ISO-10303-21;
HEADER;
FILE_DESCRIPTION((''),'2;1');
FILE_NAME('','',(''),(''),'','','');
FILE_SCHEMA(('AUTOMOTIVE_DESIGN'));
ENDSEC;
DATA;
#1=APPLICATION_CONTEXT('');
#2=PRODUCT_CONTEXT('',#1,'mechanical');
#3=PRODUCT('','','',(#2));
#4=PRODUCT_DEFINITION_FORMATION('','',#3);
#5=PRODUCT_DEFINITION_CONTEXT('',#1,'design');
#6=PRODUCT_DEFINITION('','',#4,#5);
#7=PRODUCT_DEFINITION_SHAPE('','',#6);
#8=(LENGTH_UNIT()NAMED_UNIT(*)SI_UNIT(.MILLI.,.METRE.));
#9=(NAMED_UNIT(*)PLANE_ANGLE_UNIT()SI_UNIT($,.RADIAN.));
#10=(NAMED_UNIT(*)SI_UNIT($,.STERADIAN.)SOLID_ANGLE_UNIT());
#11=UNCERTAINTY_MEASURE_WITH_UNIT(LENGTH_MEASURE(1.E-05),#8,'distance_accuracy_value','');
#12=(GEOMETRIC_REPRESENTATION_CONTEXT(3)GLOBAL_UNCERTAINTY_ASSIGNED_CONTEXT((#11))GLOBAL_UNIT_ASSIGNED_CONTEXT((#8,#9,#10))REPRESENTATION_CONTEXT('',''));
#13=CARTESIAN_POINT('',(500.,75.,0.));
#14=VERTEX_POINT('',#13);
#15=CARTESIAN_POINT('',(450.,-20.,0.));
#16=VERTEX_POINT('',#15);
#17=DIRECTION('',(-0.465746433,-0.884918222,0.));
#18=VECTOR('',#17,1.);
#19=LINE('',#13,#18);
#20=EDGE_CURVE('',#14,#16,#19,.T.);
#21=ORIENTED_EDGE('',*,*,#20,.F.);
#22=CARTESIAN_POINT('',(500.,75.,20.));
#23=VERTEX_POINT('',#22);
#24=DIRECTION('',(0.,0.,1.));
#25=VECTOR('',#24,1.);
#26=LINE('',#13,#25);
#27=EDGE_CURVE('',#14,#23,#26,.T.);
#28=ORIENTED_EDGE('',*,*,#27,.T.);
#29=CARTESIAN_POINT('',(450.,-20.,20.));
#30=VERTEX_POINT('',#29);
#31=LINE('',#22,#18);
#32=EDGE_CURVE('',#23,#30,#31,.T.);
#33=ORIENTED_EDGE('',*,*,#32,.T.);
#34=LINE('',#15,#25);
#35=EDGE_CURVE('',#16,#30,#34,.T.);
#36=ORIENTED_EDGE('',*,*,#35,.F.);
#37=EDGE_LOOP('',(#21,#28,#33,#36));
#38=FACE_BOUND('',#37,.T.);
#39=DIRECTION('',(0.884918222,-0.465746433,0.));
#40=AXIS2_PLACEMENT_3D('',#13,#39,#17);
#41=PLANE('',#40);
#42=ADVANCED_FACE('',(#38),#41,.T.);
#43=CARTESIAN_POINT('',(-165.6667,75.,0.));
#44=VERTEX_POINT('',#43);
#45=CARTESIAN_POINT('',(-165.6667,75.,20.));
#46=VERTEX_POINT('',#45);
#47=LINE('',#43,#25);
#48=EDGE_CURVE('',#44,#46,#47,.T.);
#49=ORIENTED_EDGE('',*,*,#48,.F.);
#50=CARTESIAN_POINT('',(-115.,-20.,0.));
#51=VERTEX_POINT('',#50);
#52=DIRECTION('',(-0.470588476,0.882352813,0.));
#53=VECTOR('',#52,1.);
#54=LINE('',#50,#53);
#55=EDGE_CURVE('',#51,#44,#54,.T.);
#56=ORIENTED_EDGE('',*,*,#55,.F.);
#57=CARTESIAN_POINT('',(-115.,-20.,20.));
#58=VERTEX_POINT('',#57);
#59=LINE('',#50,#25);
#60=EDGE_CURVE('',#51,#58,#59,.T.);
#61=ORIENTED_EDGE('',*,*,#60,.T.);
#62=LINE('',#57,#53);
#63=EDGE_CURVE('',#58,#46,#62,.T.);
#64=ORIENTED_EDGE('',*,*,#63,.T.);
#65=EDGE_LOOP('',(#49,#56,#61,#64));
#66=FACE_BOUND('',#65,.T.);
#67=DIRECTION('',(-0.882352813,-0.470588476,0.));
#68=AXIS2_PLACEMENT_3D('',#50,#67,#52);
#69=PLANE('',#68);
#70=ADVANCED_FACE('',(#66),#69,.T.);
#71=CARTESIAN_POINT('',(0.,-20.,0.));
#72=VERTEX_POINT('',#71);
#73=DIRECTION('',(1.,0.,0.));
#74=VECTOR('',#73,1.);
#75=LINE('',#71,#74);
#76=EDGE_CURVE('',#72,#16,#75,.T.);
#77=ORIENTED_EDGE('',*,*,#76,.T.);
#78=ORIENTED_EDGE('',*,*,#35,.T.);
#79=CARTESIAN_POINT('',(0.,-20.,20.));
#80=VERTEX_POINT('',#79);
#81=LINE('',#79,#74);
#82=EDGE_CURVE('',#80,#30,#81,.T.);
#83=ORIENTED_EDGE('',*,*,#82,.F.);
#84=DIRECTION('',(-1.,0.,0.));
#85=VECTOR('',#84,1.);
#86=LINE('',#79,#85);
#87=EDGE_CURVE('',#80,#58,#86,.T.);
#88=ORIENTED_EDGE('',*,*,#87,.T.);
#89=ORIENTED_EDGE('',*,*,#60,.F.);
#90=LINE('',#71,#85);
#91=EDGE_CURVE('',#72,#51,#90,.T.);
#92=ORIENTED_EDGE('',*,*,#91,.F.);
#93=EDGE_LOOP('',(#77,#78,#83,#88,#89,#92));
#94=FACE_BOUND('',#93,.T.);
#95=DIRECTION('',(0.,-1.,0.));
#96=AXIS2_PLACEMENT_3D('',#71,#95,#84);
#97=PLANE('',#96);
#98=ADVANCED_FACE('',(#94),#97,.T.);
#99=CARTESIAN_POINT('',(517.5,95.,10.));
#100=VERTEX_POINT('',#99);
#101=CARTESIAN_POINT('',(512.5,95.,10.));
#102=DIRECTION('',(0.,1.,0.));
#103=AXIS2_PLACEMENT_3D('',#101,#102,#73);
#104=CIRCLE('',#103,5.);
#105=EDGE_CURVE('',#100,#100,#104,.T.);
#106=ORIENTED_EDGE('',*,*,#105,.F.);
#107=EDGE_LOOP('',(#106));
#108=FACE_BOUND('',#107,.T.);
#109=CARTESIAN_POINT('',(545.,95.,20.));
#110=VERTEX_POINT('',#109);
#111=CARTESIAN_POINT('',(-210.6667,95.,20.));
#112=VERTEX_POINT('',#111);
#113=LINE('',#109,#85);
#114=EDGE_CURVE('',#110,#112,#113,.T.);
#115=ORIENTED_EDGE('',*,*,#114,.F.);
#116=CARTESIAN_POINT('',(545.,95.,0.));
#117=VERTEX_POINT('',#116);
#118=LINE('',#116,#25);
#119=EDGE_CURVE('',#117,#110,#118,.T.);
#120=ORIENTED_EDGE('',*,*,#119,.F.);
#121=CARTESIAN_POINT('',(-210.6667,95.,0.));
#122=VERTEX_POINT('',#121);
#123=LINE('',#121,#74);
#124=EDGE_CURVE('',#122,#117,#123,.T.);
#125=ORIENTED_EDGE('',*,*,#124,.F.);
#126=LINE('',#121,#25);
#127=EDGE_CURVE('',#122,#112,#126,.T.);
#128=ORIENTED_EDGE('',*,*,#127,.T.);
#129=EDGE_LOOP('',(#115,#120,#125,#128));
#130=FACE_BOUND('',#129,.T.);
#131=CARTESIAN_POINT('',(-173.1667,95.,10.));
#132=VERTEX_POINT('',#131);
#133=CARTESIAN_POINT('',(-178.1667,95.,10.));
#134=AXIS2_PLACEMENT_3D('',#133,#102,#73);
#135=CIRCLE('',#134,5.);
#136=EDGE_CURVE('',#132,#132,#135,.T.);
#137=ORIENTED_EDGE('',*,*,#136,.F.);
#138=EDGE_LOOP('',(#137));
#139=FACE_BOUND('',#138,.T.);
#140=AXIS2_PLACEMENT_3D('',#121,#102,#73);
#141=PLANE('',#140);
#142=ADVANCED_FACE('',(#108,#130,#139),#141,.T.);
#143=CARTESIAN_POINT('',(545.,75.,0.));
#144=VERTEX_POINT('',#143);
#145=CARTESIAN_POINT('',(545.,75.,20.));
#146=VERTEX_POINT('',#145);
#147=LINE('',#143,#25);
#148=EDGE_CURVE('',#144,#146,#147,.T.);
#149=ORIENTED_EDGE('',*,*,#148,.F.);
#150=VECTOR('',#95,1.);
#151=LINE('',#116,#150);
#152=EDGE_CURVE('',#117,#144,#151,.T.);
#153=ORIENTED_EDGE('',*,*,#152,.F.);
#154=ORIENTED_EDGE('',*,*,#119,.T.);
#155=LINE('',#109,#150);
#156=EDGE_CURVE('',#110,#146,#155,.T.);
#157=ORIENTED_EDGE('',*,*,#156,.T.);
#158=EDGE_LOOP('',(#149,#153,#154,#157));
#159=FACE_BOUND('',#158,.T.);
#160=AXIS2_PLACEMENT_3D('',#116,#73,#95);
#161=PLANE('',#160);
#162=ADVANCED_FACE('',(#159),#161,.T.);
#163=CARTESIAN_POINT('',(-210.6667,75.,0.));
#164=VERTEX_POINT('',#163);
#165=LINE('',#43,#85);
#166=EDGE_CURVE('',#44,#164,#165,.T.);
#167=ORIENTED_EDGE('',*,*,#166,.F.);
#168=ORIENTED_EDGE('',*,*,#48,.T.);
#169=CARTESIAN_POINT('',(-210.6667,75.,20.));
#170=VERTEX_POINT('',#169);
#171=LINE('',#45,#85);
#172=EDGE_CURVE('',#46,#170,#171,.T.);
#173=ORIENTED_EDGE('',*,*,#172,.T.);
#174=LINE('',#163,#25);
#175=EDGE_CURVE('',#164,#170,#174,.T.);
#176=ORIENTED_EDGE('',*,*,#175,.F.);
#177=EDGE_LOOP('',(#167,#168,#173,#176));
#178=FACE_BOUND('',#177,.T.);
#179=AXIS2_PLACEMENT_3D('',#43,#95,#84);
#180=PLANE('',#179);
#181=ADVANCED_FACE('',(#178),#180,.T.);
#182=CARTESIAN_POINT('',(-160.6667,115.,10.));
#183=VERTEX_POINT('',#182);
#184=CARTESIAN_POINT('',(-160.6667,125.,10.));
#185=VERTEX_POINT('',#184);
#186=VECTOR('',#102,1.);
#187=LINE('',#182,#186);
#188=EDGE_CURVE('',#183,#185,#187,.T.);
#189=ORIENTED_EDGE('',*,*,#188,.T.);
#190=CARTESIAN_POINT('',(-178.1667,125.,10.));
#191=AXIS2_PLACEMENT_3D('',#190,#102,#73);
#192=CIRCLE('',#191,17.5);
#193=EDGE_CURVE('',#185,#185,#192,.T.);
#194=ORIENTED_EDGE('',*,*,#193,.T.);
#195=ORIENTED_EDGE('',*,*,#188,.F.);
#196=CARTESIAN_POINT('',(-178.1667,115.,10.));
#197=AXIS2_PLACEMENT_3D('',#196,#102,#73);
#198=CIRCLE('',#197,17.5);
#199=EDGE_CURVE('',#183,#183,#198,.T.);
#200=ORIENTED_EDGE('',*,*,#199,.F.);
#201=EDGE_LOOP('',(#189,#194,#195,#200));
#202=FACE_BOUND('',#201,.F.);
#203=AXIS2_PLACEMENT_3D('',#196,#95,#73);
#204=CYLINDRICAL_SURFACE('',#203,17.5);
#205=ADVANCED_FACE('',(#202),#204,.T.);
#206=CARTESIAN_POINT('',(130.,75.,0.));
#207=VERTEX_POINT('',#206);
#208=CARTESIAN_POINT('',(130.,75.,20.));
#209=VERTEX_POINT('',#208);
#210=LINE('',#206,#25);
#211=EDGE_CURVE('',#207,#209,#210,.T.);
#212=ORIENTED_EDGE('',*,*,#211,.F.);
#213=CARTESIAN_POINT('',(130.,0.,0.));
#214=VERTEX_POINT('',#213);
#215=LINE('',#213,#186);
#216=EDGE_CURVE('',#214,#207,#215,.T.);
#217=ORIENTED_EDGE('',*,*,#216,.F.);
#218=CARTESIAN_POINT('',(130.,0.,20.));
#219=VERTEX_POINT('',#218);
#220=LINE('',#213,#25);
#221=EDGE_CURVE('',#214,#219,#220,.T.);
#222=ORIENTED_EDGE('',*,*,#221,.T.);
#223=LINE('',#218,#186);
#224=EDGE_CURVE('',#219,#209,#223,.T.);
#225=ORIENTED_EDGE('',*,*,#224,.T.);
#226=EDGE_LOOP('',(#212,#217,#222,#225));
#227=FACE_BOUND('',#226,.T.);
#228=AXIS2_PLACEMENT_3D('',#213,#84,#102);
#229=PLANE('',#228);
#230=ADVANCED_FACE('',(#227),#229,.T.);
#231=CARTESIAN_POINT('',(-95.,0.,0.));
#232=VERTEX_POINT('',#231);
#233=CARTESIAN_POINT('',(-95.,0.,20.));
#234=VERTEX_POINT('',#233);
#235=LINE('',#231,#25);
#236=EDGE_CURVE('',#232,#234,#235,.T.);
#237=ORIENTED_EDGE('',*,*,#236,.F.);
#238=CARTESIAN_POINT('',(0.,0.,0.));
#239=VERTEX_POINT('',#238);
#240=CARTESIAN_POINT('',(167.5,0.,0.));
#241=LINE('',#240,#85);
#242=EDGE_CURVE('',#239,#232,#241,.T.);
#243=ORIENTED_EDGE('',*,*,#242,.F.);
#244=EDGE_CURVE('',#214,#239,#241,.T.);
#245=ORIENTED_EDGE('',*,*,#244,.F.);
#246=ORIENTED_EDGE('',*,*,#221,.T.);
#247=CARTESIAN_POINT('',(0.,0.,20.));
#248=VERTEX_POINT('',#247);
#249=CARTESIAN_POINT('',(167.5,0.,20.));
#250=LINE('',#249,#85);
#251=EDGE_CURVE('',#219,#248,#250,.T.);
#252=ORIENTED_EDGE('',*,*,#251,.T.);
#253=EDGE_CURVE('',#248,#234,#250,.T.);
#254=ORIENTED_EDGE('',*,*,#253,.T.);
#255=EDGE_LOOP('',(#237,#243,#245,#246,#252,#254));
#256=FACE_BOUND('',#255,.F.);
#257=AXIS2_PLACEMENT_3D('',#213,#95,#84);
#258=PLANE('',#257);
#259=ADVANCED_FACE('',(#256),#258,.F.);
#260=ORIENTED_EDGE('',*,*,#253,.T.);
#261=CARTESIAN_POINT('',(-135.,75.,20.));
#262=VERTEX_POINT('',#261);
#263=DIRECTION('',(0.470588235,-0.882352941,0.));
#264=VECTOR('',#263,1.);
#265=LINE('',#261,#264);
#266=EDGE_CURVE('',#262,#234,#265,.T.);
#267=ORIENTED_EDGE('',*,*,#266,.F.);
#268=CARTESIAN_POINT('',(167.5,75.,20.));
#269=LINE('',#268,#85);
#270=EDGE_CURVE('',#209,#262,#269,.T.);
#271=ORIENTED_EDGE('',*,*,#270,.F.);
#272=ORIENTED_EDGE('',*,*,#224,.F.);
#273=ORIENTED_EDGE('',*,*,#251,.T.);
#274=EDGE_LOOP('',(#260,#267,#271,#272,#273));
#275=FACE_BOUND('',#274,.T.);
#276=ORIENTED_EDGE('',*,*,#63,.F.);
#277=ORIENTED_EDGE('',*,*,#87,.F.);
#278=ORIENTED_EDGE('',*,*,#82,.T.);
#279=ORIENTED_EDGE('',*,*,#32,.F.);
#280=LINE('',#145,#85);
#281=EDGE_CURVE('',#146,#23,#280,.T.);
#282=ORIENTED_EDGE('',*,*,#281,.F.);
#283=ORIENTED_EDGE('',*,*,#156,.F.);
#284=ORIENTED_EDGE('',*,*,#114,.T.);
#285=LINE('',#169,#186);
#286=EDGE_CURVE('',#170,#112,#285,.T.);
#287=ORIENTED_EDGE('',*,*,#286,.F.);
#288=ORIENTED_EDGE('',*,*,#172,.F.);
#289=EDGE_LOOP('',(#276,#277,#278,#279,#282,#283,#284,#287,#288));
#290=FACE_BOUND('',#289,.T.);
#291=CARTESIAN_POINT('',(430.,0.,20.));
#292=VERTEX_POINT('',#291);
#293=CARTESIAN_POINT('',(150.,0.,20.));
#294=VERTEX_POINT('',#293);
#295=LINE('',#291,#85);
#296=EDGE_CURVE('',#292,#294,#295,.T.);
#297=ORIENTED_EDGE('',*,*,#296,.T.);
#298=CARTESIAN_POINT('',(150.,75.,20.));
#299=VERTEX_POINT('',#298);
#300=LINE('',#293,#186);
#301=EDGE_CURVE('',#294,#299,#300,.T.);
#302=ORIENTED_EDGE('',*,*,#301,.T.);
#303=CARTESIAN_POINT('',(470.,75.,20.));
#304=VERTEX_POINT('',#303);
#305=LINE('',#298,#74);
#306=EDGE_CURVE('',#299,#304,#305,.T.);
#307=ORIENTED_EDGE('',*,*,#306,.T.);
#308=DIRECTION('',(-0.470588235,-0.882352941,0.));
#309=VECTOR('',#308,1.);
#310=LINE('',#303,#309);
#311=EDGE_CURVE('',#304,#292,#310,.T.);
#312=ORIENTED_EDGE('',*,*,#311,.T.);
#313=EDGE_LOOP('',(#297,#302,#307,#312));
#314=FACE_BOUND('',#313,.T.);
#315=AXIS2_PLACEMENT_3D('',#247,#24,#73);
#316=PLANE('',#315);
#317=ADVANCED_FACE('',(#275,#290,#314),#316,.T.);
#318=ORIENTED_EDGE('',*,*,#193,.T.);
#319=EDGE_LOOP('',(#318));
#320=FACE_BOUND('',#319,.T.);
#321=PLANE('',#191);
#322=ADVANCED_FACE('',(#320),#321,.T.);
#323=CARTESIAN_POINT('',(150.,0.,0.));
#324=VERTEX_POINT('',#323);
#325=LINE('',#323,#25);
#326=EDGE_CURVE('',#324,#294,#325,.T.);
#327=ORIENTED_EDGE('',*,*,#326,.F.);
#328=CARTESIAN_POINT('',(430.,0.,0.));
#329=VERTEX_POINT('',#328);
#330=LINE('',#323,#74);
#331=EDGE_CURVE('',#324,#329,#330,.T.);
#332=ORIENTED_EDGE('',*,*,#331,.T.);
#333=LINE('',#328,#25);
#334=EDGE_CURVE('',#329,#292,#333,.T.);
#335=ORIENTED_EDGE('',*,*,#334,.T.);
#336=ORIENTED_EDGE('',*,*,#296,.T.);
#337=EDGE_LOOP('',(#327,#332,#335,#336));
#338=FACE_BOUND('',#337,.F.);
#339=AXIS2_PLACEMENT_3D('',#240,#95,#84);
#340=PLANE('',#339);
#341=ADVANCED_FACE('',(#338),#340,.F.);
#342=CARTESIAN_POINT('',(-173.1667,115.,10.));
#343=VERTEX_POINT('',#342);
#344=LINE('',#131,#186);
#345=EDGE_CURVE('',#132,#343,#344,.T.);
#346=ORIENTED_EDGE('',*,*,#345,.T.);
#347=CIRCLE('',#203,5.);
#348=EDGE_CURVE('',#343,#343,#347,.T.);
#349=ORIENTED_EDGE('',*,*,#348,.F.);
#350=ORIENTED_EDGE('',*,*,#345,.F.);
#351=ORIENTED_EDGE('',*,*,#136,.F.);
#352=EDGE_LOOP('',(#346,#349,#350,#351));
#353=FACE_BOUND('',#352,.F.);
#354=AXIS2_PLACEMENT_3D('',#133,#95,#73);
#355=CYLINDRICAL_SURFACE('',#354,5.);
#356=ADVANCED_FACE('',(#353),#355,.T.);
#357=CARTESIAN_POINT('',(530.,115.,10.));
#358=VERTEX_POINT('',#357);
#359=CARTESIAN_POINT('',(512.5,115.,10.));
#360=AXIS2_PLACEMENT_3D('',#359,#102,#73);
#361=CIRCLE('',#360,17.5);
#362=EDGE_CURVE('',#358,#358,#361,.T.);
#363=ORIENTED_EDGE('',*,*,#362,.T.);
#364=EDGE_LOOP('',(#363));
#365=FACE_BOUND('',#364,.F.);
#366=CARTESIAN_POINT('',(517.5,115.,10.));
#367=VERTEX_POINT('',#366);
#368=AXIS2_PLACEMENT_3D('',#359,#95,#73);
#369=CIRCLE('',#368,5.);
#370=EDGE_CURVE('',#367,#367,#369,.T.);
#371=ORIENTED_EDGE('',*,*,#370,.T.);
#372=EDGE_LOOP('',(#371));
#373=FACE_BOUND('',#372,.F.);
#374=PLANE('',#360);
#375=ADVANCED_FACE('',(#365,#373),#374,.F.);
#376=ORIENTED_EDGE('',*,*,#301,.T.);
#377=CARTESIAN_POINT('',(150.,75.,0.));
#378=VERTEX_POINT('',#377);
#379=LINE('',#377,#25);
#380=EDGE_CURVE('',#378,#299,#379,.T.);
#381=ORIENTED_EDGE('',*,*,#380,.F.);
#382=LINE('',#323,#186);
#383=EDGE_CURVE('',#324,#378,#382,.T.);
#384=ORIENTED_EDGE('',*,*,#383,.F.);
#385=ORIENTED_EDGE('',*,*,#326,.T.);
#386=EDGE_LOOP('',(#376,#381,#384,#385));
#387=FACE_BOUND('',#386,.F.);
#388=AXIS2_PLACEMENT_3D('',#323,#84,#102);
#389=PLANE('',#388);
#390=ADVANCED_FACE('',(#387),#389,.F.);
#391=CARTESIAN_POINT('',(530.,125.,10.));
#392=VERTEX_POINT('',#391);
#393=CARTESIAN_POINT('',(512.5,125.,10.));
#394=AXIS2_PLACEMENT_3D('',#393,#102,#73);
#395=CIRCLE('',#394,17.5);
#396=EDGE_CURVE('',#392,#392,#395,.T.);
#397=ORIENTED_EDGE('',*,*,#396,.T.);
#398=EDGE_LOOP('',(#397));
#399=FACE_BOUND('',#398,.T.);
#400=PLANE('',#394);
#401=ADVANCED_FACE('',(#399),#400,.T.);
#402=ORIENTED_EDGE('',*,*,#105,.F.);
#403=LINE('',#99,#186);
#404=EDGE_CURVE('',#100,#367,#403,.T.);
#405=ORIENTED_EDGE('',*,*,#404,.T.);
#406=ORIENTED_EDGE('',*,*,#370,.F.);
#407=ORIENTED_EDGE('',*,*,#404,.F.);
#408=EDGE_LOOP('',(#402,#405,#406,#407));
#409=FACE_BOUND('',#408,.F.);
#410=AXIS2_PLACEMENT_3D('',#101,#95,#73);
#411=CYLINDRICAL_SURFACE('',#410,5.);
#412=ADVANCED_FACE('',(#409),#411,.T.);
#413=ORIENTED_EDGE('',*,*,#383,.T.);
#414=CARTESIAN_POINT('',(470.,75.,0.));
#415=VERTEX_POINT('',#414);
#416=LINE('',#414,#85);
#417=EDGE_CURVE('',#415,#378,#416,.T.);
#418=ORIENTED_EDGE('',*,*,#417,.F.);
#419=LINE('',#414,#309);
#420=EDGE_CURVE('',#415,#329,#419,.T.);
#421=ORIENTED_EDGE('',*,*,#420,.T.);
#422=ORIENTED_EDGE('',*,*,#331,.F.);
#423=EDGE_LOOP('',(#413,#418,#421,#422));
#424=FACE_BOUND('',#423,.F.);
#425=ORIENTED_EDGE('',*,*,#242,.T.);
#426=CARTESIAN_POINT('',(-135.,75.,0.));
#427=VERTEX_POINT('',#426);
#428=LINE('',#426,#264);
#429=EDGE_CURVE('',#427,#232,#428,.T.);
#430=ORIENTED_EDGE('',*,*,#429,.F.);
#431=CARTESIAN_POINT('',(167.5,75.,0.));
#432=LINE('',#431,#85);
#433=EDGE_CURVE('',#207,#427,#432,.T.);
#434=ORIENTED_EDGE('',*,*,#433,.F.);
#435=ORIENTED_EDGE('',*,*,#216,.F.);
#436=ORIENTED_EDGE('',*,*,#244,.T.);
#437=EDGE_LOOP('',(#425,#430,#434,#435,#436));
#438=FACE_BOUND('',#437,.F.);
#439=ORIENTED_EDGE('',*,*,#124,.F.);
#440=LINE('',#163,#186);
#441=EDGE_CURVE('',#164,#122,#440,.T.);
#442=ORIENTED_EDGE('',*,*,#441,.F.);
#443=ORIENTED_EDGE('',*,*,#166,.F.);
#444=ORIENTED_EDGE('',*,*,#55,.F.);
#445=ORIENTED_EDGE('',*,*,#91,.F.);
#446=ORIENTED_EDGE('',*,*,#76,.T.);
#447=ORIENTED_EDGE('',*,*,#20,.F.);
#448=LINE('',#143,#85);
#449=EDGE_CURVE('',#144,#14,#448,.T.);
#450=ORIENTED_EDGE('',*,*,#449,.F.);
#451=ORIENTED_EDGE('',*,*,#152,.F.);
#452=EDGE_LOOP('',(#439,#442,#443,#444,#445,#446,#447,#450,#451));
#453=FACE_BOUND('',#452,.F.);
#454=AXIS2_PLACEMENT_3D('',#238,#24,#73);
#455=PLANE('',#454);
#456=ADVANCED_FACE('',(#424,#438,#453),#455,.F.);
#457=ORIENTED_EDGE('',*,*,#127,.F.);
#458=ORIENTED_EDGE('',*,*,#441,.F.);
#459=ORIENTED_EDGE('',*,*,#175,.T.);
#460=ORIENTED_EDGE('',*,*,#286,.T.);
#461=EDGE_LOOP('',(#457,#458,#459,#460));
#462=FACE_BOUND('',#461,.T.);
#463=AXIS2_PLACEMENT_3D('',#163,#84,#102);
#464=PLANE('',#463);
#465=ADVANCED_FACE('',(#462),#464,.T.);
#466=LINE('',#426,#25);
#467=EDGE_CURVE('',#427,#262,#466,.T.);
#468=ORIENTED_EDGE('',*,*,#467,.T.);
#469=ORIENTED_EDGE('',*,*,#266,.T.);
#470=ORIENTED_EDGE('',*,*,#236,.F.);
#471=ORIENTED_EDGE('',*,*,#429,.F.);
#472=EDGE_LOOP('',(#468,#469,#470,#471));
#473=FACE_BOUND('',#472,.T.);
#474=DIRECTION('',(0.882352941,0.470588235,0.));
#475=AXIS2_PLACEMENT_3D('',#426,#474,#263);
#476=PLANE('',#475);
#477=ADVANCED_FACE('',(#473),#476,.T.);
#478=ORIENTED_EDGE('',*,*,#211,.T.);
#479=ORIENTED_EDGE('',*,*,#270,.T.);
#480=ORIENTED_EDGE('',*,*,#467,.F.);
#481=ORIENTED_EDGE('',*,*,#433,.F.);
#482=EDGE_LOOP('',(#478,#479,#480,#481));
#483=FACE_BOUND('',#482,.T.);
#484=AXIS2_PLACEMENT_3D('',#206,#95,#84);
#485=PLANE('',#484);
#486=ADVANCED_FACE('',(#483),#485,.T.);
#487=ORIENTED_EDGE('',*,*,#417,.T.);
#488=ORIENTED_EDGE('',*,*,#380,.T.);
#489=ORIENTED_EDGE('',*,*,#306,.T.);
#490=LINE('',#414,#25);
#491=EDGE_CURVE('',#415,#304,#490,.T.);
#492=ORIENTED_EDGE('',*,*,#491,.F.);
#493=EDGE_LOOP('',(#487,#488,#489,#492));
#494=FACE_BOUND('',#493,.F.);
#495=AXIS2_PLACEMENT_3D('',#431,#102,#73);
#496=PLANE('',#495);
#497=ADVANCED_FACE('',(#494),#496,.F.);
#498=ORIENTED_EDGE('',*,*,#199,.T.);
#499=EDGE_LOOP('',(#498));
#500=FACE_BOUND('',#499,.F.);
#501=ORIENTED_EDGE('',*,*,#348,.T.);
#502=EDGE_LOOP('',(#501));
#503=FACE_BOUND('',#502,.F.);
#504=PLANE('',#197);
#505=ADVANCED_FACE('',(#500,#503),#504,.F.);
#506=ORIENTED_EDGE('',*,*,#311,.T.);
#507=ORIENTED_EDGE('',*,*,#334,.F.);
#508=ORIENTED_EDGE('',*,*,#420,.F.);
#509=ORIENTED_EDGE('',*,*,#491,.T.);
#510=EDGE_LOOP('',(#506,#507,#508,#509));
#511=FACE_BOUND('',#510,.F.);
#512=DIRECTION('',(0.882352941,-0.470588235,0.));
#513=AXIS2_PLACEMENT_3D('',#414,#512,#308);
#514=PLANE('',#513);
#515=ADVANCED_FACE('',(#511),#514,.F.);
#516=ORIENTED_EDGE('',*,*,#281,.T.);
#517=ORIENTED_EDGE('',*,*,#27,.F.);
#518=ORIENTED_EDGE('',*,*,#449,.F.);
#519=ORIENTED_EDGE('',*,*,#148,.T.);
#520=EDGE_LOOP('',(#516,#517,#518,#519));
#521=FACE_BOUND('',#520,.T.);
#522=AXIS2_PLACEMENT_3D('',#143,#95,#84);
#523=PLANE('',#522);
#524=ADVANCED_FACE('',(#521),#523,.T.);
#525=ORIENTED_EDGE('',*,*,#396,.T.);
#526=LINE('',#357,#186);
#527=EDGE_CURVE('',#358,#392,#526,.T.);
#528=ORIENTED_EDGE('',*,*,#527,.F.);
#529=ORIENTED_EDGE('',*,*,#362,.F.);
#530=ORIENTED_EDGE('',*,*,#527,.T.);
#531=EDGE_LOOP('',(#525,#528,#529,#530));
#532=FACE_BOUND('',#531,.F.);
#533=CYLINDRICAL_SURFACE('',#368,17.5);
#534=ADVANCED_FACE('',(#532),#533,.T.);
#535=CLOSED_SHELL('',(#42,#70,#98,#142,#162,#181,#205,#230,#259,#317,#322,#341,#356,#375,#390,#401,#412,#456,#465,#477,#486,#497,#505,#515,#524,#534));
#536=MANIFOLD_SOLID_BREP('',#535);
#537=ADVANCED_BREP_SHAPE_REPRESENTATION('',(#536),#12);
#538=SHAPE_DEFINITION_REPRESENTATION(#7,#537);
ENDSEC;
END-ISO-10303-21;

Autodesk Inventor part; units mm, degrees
ref_plane "YZ Plane" through (0, 0, 0) normal (1, 0, 0) x (0, 1, 0)
ref_plane "XZ Plane" through (0, 0, 0) normal (0, 1, 0) x (-1, 0, 0)
ref_plane "XY Plane" through (0, 0, 0) normal (0, 0, 1) x (1, 0, 0)
sketch "草圖1" plane through (0, 0, 0) normal (0, 0, 1) x (1, 0, 0)
  line L0 (0, 0) -> (0, -20)
  line L1 (0, -20) -> (-115, -20)
  line L2 (0, -20) -> (450, -20)
  line L3 (167.5, 0) -> (430, 0)
  line L4 (167.5, 0) -> (-95, 0)
  line L5 (167.5, 75) -> (470, 75)
  line L6 (470, 75) -> (430, 0)
  line L7 (167.5, 75) -> (-135, 75)
  line L8 (-135, 75) -> (-95, 0)
  line L9 (130, 0) -> (130, 75)
  line L10 (130, 0) -> (150, 0)
  line L11 (150, 0) -> (150, 75)
  line L12 (167.5, 95) -> (545, 95)
  line L13 (545, 95) -> (545, 75)
  line L14 (545, 75) -> (500, 75)
  line L15 (500, 75) -> (450, -20)
  line L16 (-115, -20) -> (-165.6667, 75)
  line L17 (-165.6667, 75) -> (-210.6667, 75)
  line L18 (-210.6667, 75) -> (-210.6667, 95)
  line L19 (-210.6667, 95) -> (167.5, 95)
  dimension "d0" = 20
  dimension "d1" = 115
  dimension "d2" = 450
  dimension "d6" = 262.5
  dimension "d7" = 262.5
  dimension "d8" = 302.5
  dimension "d9" = 302.5
  dimension "d11" = 20
  dimension "d12" = 75
  dimension "d14" = 377.5
  dimension "d15" = 20
  dimension "d16" = 45
  dimension "d17" = 45
  dimension "d18" = 20
extrude "擠出1" add sketch "草圖1" along normal blind 20 contours L1 L16 L17 L18 L19 L12 L13 L14 L15 L2 | L9 L7 L11 L4
sketch "草圖2" plane through (-210.6667, 95, 0) normal (0, 1, 0) x (1, 0, 0)
  line L0 (0, 0) -> (0, -20) projected
  circle A0 centre (0, -10) radius 32.5
  circle A1 centre (32.5, -10) radius 5
  line L1 (755.6667, 0) -> (755.6667, -20) projected
  circle A2 centre (755.6667, -10) radius 32.5
  circle A3 centre (723.1667, -10) radius 5
  point P0 (210.6667, 0)
  dimension "d21" = 65
  dimension "d23" = 65
  dimension "d22" = 10
  dimension "d24" = 10
extrude "擠出2" add sketch "草圖2" along normal blind 20 contours A0 A1 | A0 A1 | A3 A2 | A2 A3 picked at (30.8705, -10.9665) picked at (33.9711, -11.3119) picked at (724.8619, -10) picked at (721.5286, -10)
sketch "草圖3" plane through (512.5, 115, 10) normal (0, 1, 0) x (1, 0, 0)
  circle A0 centre (0, 0) radius 17.5
  point P0 (-512.5, 10)
  dimension "d27" = 35
extrude "擠出3" add sketch "草圖3" along normal blind 10
sketch "草圖4" plane through (-178.1667, 115, 10) normal (0, 1, 0) x (1, 0, 0)
  circle A0 centre (0, 0) radius 5 projected
  circle A1 centre (0, 0) radius 17.5
  point P0 (178.1667, 10)
  dimension "d30" = 35
extrude "擠出4" add sketch "草圖4" along normal blind 10 contours A0 | A1
properties part number "DOF8"
